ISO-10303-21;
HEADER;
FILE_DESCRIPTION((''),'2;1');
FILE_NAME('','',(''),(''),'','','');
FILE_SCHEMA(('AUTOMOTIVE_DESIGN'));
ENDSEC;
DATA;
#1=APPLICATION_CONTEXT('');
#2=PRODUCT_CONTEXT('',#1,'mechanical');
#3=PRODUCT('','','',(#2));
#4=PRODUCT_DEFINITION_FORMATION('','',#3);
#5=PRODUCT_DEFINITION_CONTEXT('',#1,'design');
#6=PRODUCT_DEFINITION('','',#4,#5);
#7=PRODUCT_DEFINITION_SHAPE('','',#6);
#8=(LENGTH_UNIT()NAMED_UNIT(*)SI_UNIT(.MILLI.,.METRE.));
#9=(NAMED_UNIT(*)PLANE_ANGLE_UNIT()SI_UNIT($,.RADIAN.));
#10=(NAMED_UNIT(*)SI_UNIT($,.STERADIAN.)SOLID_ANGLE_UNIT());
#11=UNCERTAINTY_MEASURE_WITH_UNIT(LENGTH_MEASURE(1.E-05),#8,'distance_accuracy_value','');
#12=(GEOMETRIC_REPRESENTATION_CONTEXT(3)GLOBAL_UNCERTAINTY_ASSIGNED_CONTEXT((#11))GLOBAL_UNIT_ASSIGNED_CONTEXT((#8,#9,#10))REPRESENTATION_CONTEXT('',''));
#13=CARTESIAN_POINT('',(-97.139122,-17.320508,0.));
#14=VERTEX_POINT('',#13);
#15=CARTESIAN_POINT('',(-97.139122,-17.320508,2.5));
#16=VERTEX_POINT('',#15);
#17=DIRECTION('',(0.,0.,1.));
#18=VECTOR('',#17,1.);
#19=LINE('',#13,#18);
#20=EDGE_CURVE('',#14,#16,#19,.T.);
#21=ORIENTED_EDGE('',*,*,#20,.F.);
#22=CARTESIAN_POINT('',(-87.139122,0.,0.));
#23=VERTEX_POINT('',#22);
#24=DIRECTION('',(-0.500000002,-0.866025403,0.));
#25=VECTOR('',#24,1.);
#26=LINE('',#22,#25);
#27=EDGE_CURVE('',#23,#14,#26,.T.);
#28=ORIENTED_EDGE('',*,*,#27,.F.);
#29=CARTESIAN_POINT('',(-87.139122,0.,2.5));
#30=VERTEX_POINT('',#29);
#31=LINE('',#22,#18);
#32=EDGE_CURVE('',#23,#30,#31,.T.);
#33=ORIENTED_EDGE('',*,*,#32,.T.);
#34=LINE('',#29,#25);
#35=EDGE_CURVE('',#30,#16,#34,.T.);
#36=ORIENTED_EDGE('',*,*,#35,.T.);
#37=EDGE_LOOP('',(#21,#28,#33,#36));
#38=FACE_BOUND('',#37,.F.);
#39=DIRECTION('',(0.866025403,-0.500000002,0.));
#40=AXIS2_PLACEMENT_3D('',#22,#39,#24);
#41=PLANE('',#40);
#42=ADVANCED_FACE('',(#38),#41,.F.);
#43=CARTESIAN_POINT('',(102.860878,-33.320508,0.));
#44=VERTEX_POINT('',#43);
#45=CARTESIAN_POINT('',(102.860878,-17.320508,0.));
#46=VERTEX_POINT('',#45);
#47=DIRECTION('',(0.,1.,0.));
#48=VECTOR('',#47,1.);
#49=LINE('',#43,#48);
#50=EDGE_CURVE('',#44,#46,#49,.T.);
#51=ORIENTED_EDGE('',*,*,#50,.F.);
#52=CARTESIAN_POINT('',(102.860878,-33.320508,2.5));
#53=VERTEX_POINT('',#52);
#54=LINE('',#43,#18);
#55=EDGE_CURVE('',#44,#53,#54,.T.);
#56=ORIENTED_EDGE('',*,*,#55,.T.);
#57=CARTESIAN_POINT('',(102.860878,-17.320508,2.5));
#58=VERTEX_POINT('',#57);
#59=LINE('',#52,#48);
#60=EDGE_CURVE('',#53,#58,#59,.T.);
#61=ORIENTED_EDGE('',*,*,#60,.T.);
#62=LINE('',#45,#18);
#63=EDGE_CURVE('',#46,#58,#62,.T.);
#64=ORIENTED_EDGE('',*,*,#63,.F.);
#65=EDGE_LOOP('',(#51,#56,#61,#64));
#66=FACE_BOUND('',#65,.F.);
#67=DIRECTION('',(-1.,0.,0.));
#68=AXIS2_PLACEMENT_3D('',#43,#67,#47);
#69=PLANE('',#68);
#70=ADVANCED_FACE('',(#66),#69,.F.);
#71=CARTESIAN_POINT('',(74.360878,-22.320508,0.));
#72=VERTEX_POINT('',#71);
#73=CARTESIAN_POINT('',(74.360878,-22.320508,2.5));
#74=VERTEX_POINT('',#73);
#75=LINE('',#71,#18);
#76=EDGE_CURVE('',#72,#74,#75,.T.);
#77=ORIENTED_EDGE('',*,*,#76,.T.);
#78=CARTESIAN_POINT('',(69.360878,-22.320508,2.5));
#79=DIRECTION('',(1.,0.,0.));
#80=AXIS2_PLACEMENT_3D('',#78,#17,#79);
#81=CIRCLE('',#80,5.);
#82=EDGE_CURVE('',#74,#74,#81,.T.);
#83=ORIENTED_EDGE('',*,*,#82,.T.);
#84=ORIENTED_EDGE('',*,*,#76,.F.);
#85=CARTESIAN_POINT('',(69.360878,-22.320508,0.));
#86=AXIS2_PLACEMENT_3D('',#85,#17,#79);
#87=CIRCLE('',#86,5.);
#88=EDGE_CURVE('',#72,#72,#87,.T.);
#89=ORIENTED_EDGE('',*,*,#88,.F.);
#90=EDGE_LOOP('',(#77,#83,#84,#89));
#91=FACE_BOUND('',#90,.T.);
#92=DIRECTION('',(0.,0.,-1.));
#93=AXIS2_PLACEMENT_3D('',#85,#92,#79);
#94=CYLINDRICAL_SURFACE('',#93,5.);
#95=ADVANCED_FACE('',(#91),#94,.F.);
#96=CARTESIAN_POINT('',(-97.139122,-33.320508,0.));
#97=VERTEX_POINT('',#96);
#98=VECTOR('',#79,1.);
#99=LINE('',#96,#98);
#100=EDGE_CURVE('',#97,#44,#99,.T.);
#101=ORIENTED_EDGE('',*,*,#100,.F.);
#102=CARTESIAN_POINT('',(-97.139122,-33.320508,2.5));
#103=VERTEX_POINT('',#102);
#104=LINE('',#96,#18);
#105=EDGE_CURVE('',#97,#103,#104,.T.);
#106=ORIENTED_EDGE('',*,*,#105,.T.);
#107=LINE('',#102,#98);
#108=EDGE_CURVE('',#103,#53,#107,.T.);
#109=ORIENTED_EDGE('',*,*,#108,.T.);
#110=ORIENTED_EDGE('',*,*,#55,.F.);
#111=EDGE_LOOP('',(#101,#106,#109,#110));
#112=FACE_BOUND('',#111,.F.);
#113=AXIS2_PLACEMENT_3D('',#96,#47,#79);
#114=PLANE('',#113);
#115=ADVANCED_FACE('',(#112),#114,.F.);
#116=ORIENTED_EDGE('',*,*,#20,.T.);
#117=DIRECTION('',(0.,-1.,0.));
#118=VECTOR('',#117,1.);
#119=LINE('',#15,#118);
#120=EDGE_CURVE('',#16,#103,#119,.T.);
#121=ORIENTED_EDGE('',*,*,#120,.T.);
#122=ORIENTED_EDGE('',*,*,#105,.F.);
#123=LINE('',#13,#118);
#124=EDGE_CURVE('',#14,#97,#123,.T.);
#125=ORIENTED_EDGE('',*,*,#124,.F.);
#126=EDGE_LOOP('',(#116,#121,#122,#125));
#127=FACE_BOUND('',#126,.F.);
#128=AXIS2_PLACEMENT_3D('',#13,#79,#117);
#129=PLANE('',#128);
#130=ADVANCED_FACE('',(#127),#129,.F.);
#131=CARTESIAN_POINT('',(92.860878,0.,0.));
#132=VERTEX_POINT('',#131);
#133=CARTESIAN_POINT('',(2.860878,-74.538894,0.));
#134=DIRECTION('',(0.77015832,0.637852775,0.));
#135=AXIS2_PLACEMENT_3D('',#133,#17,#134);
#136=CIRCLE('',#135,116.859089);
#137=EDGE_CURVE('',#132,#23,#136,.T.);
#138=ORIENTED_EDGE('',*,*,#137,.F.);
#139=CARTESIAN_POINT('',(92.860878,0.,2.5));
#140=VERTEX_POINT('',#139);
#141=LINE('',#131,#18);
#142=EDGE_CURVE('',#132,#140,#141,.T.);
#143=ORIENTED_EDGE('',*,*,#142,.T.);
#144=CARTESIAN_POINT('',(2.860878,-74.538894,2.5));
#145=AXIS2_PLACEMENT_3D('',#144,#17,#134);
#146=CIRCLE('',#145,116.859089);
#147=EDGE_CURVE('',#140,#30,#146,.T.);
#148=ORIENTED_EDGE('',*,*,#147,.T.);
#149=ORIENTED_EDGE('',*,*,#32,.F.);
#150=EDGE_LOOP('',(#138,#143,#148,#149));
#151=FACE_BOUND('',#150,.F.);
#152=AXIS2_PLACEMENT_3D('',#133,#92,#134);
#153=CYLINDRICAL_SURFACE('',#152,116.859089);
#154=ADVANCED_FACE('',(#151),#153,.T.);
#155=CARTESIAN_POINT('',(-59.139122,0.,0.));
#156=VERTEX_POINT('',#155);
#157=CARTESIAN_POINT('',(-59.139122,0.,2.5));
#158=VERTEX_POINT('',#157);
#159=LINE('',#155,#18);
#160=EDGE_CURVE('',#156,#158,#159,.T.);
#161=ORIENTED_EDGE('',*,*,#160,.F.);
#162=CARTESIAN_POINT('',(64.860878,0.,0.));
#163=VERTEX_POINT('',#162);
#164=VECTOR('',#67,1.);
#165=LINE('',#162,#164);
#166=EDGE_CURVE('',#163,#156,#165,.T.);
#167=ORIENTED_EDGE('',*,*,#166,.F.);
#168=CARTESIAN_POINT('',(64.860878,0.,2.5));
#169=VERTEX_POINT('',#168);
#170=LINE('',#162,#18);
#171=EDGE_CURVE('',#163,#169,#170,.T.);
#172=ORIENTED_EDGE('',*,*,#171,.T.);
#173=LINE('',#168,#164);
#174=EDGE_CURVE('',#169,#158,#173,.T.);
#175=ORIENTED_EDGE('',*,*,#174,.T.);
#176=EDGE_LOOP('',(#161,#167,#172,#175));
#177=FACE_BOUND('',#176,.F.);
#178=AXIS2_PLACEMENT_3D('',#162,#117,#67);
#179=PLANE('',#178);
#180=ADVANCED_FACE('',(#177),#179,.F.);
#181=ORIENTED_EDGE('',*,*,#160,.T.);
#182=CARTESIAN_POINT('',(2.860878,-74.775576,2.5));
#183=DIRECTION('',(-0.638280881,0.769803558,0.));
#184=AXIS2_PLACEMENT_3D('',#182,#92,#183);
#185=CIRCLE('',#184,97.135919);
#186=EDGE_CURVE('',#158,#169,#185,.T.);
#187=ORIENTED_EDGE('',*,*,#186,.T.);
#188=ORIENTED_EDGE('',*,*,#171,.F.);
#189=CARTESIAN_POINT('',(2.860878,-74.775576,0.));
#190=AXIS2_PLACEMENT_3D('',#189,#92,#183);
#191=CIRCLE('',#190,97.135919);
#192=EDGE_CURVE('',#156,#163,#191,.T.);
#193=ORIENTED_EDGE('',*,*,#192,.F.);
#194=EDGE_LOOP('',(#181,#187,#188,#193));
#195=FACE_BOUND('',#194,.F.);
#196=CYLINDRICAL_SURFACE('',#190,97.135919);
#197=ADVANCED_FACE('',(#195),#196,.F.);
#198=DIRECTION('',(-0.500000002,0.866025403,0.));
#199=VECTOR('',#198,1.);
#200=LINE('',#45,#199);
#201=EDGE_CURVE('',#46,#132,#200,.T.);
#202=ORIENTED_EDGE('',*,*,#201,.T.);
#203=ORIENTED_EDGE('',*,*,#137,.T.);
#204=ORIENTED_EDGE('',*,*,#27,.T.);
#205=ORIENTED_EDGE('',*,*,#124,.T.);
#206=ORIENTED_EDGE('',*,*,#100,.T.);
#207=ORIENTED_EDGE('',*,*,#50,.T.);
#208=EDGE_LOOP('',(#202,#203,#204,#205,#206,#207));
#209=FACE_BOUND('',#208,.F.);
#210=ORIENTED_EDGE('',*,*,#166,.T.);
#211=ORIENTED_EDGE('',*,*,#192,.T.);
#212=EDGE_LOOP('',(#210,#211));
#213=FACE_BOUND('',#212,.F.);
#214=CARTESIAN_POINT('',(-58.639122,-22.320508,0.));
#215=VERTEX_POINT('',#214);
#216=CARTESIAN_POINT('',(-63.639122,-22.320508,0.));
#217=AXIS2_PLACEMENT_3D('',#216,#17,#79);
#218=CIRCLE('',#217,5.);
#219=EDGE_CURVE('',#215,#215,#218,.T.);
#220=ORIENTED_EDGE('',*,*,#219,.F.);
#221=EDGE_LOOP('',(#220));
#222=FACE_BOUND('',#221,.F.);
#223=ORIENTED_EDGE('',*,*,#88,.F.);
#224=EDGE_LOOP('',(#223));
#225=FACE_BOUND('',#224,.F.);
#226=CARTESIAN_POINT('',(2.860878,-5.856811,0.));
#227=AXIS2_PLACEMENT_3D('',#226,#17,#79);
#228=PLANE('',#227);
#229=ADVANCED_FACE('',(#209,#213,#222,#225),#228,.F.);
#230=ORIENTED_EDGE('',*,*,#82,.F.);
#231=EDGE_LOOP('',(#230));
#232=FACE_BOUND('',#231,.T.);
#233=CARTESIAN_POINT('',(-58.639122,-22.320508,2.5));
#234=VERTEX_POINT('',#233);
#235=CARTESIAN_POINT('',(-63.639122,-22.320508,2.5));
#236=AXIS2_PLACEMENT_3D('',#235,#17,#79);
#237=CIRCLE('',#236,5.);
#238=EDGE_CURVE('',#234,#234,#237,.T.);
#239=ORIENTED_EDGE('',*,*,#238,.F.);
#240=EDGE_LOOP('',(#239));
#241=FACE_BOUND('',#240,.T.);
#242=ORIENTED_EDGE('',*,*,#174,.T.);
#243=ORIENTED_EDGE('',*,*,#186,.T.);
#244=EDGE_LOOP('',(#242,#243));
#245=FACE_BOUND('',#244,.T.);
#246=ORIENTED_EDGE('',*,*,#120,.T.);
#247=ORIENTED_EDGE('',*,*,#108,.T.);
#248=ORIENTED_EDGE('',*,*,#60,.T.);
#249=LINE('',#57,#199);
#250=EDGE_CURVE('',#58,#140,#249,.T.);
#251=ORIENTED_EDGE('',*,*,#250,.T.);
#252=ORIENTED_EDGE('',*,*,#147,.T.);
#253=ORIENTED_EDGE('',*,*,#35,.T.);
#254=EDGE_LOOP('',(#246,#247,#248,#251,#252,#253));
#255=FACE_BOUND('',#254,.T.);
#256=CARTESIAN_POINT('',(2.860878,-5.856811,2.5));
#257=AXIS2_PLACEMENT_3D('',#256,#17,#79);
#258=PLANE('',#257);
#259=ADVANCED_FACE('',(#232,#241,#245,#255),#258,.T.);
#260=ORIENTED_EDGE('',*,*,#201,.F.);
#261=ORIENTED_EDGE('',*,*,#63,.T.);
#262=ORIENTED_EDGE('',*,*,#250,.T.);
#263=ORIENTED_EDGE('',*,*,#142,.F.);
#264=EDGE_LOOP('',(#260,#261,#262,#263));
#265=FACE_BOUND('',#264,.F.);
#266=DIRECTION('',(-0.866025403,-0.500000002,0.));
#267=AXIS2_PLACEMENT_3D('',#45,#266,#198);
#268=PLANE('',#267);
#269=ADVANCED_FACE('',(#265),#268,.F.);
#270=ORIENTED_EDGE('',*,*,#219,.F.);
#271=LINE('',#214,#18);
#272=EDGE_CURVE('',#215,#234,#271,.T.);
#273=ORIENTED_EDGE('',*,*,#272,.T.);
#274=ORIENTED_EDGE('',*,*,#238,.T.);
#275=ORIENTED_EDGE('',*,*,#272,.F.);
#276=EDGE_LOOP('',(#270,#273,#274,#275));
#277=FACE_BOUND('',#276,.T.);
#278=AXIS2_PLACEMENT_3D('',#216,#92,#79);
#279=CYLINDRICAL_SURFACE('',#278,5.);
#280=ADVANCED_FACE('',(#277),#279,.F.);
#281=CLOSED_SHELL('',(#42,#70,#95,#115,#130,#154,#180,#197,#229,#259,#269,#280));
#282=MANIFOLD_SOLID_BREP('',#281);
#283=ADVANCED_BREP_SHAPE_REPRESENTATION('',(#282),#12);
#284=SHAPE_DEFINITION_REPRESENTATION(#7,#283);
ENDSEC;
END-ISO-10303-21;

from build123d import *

# Parameters (mm, degrees)
F0_R     = 5
F1_DEPTH = 2.5


with BuildPart() as f1:
    # F0 (on Top) → F1 (new body)
    with BuildSketch(Plane.XY):
        with BuildLine():
            Line((-97.139122, -17.320508), (-97.139122, -33.320508))
            Line((-97.139122, -33.320508), (-63.639122, -33.320508))
            Line((-63.639122, -33.320508), (69.360878, -33.320508))
            Line((69.360878, -33.320508), (102.860878, -33.320508))
            Line((102.860878, -33.320508), (102.860878, -17.320508))
            Line((102.860878, -17.320508), (92.860878, 0))
            ThreePointArc((92.860878, 0), (2.860878, 42.320195), (-87.139122, 0))
            Line((-87.139122, 0), (-97.139122, -17.320508))
        make_face()
        with Locations((-63.639122, -22.320508)):
            Circle(F0_R, mode=Mode.SUBTRACT)
        with Locations((69.360878, -22.320508)):
            Circle(F0_R, mode=Mode.SUBTRACT)
        with BuildLine():
            ThreePointArc((-59.139122, 0), (2.860878, 22.360343), (64.860878, 0))
            Line((64.860878, 0), (-59.139122, 0))
        make_face(mode=Mode.SUBTRACT)
    extrude(amount=F1_DEPTH)


solid = f1.part
